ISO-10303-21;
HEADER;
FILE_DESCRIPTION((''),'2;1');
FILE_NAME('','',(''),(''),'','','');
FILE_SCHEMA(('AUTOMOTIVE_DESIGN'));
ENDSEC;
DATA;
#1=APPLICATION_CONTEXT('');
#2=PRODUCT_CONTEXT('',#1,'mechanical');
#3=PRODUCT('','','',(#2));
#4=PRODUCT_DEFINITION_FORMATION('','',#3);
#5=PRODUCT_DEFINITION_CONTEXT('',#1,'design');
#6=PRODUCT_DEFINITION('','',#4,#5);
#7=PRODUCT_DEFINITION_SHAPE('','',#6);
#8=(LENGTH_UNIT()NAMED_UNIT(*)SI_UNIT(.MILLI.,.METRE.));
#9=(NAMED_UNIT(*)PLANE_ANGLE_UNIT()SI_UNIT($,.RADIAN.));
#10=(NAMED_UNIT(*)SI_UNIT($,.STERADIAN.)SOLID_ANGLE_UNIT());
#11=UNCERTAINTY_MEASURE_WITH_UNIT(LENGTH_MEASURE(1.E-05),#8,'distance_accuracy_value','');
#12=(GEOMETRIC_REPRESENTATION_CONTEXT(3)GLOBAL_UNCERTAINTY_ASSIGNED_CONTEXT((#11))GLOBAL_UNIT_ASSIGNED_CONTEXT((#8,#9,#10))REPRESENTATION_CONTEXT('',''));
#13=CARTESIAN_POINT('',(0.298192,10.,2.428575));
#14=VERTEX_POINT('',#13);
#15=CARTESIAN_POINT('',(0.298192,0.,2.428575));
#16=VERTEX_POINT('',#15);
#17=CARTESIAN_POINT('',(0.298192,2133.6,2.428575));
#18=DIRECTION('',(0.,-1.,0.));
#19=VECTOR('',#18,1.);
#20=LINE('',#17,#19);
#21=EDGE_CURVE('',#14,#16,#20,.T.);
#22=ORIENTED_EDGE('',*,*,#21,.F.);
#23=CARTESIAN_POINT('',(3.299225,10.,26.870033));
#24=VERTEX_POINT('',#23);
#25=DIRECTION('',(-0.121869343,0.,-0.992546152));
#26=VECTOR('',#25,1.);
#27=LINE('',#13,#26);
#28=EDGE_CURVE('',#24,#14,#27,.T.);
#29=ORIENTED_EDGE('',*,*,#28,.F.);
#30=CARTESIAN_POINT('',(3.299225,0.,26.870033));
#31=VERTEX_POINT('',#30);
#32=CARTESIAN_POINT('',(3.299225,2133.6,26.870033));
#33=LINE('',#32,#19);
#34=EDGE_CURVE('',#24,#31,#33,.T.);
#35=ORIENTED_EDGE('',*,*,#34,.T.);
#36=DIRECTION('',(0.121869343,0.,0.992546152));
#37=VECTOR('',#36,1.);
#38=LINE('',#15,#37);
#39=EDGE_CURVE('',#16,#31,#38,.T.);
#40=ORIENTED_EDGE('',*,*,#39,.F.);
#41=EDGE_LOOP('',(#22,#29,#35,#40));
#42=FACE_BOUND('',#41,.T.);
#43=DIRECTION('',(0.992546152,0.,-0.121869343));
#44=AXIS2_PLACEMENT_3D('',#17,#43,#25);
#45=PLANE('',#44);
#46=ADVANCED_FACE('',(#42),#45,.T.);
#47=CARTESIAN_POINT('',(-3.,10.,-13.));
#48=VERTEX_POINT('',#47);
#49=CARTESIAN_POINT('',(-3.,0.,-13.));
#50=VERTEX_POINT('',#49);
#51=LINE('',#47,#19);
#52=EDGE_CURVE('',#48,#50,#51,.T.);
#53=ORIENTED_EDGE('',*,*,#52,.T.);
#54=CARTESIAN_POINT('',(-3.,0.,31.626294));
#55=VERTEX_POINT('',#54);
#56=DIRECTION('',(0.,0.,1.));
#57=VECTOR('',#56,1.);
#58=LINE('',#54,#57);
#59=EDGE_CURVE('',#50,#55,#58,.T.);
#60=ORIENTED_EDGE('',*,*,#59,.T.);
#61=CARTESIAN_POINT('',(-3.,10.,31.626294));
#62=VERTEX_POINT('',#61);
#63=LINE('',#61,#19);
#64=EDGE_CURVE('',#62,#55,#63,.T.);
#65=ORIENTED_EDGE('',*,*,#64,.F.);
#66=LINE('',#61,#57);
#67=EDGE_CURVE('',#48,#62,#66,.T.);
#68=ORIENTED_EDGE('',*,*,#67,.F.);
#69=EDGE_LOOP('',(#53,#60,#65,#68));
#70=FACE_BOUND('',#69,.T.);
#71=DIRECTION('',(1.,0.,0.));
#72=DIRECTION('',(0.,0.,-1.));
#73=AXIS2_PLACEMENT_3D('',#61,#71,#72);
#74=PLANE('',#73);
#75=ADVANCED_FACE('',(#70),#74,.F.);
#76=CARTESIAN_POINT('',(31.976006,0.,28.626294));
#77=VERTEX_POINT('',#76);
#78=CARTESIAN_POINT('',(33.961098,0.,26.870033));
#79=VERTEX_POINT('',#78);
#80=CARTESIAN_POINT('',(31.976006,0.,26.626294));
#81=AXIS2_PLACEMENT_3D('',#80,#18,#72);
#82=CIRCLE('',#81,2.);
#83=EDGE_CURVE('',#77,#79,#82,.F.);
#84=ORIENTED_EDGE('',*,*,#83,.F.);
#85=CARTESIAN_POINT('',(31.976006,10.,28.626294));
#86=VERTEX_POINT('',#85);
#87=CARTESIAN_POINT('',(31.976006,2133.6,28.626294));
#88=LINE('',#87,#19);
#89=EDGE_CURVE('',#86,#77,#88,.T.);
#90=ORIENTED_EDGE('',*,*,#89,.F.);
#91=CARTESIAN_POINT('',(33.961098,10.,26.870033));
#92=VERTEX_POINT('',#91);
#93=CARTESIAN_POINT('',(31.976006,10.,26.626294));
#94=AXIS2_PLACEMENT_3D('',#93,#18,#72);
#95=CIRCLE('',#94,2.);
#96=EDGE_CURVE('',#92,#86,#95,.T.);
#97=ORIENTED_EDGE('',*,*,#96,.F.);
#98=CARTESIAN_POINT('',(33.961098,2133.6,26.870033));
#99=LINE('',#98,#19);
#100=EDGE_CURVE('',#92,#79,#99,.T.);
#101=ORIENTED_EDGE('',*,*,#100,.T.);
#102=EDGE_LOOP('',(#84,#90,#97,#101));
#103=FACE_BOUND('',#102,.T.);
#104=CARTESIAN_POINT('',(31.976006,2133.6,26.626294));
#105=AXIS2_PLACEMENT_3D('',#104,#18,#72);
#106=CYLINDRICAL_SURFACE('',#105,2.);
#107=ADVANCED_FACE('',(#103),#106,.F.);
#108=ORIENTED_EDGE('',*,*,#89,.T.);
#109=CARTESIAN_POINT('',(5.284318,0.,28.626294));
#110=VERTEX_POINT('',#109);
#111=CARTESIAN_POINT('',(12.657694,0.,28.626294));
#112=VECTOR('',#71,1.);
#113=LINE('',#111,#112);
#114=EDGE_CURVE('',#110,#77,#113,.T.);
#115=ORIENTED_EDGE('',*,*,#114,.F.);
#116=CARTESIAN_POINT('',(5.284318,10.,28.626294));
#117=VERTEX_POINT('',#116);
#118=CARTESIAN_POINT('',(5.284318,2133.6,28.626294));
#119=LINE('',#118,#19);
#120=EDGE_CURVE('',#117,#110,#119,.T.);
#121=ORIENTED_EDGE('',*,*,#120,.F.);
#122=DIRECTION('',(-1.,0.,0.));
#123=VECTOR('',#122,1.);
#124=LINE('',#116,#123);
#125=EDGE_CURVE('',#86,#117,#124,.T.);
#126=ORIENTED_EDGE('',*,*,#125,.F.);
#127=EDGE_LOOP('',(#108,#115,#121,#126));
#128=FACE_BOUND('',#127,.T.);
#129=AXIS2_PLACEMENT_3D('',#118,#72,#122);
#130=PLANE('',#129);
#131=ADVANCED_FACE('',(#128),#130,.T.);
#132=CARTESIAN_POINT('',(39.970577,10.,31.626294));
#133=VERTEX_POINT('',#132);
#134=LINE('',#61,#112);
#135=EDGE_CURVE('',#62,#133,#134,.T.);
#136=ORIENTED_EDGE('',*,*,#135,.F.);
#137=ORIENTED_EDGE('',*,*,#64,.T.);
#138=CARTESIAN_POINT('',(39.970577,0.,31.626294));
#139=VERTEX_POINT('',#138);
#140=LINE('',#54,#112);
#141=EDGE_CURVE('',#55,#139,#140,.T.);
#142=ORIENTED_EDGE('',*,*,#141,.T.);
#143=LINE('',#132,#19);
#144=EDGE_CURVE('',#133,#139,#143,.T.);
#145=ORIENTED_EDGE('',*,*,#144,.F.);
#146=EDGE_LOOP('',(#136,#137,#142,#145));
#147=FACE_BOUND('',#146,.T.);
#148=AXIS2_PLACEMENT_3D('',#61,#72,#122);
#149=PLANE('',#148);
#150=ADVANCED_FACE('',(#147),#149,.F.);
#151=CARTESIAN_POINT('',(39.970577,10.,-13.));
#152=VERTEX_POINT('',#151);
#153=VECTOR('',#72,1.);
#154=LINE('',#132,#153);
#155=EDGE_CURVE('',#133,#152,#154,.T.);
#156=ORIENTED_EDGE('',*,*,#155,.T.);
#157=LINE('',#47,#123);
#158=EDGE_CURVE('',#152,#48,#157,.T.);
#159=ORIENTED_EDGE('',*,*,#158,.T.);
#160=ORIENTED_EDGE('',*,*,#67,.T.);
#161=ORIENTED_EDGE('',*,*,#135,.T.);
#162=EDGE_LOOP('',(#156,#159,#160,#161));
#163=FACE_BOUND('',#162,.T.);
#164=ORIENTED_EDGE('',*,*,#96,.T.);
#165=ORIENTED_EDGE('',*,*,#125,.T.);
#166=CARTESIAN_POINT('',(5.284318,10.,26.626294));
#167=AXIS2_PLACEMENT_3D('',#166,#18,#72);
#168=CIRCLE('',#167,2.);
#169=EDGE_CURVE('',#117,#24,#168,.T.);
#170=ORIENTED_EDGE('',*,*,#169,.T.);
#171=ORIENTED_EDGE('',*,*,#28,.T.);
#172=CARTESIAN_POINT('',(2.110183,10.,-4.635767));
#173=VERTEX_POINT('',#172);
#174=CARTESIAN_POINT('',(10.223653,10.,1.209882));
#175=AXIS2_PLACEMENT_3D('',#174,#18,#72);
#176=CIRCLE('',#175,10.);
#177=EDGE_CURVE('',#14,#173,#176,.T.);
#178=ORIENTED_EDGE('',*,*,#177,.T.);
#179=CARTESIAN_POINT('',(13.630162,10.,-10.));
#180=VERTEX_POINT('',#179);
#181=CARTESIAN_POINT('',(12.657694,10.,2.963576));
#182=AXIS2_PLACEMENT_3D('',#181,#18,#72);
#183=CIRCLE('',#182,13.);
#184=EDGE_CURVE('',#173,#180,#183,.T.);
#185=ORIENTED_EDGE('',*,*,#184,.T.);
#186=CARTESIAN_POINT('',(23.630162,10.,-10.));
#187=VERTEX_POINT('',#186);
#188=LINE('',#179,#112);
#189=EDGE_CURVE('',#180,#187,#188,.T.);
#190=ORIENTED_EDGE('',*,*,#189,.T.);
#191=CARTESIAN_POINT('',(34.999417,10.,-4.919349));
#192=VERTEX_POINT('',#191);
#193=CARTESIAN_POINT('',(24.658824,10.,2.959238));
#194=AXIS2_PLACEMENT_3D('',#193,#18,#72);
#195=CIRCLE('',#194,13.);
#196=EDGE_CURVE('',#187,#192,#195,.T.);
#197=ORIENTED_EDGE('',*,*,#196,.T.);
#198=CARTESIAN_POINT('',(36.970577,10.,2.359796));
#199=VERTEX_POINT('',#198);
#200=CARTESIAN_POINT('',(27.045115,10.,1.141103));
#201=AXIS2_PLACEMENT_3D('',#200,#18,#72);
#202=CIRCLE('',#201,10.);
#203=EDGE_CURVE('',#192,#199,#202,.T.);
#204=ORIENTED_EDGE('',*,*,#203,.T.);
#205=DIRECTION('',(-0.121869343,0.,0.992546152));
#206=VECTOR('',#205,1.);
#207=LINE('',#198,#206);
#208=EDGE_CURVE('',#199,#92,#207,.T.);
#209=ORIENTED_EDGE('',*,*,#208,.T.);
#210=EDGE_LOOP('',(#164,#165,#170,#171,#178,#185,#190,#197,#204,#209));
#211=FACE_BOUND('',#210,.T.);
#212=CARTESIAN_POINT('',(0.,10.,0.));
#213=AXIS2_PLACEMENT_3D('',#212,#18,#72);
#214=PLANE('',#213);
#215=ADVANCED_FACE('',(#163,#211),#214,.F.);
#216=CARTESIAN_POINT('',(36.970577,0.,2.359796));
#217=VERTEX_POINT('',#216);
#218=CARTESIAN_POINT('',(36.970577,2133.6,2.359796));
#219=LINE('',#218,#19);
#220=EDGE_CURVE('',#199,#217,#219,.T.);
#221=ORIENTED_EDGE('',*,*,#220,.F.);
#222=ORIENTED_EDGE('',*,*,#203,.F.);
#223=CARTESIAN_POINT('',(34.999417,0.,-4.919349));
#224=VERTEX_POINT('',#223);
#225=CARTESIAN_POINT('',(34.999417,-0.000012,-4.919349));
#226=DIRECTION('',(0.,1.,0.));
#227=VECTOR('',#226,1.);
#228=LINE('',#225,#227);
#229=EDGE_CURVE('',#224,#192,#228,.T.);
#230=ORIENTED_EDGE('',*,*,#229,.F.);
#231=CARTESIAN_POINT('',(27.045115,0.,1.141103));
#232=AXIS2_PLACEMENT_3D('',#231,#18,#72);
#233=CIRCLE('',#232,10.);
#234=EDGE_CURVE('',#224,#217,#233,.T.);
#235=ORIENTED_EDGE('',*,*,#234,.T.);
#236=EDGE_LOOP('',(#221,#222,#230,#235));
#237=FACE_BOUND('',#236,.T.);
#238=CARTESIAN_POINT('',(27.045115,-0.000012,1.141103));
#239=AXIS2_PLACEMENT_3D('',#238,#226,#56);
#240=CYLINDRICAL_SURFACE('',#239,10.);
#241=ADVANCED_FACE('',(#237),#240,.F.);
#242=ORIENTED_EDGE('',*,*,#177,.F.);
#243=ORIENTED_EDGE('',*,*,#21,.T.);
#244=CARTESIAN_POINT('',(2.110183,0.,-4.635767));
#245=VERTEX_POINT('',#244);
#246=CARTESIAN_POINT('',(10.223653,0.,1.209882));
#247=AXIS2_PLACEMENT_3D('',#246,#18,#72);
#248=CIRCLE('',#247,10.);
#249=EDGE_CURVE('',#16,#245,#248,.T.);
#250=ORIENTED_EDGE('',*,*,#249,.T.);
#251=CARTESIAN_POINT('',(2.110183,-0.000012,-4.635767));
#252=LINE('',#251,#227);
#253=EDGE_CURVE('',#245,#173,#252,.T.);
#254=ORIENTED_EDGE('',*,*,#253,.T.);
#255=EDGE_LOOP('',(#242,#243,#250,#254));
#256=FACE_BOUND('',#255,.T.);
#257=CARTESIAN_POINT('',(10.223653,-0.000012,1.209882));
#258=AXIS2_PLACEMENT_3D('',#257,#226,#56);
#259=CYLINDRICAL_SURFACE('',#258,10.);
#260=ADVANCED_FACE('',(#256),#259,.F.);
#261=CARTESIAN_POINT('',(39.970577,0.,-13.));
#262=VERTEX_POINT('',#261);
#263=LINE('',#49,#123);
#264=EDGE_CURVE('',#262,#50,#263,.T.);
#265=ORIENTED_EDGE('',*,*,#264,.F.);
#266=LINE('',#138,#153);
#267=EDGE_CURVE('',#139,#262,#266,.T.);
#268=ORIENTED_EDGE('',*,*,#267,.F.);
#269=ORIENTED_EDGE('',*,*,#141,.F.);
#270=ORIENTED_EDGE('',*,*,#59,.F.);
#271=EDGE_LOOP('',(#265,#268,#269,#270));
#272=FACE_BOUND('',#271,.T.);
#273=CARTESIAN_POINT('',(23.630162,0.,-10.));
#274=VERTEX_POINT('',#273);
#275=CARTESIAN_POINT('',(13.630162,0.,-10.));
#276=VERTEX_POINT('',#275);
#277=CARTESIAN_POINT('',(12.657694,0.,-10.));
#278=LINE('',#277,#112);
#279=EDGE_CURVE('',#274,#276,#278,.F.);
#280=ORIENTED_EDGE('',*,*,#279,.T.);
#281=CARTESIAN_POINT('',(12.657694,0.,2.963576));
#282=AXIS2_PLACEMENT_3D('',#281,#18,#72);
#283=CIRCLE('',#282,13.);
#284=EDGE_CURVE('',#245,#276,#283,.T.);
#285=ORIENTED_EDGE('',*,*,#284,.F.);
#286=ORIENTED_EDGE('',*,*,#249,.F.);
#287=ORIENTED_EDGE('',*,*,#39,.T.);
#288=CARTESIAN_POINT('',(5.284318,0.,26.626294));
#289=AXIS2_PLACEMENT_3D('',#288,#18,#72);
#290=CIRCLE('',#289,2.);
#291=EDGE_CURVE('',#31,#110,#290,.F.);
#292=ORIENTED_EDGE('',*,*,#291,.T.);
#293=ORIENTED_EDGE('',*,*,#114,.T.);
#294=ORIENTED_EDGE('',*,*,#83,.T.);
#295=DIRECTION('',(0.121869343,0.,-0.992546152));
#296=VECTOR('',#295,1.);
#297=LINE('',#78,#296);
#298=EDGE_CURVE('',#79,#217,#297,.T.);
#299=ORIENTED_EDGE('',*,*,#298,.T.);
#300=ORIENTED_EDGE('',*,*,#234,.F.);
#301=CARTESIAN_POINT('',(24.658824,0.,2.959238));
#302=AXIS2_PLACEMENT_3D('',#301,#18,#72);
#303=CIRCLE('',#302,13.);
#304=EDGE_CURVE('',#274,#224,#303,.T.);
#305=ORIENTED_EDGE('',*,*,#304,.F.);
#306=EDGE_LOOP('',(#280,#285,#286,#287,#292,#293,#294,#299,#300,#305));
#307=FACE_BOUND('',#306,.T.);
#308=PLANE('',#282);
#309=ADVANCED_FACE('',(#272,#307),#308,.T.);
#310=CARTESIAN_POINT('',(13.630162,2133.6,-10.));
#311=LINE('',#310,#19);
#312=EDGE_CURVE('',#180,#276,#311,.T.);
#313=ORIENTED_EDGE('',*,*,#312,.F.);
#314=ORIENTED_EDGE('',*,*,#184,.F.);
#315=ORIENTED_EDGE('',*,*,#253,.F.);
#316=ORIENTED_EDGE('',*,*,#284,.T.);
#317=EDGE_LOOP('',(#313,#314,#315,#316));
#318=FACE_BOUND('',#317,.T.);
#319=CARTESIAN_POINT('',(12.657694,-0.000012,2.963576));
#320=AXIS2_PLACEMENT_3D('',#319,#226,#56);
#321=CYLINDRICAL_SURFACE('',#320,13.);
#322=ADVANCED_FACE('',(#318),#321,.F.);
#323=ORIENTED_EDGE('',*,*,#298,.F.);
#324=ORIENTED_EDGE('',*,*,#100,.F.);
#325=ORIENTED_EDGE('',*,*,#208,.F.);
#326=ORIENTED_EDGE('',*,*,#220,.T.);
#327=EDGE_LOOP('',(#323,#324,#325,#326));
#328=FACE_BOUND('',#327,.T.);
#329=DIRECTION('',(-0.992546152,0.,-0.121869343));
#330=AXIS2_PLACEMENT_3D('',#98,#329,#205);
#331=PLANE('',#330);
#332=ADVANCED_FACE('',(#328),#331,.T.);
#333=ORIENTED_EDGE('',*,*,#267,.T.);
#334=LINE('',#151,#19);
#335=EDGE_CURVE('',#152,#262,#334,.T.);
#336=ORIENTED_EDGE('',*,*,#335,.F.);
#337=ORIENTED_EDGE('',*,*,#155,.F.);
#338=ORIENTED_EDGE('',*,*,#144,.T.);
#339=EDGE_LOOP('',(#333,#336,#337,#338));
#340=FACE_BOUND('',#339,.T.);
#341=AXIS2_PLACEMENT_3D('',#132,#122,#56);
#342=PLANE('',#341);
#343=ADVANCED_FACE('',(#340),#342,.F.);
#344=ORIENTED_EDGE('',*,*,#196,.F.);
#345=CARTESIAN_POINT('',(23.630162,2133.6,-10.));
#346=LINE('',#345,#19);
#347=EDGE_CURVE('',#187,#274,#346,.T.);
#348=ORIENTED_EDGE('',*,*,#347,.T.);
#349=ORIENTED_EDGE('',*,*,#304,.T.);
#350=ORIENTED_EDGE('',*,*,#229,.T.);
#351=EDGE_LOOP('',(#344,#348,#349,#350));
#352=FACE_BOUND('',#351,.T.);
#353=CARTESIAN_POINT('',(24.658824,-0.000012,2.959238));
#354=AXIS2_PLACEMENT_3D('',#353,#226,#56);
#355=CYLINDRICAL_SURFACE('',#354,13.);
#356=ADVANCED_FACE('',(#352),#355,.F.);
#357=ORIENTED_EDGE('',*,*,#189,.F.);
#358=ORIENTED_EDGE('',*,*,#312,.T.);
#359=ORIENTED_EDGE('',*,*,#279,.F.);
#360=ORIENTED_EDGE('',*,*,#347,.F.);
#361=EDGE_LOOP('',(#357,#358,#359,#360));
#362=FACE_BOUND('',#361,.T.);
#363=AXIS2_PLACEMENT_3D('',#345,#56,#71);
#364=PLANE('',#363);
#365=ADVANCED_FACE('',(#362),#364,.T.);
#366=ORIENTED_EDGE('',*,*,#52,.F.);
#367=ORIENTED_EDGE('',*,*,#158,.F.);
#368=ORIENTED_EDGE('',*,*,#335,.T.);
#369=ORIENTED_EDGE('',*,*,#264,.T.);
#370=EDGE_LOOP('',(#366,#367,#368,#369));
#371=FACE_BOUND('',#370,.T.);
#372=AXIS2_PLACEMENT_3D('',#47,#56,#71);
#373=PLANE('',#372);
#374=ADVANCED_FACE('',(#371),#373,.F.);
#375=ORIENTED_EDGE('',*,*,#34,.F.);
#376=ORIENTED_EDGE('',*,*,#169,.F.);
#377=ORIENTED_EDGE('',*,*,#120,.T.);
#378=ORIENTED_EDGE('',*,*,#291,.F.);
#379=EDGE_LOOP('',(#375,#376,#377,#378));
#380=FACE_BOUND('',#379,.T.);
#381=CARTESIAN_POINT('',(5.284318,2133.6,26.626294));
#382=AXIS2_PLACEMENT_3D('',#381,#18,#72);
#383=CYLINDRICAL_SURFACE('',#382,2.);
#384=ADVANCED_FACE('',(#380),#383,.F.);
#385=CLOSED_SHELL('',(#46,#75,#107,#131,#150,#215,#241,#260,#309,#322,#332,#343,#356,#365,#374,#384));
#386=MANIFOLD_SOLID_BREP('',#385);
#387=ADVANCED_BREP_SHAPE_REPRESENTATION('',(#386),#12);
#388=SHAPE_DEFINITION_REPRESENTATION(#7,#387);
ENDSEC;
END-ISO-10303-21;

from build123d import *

# Parameters (mm, degrees)
BOSS_EXTRUDE1_DEPTH     = 2133.6
SKETCH2_W               = 42.970576624
SKETCH2_H               = 44.626294369
BOSS_EXTRUDE2_DEPTH     = 10
CUT_EXTRUDE1_DEPTH      = 2134.6
CUT_EXTRUDE1_DEPTH_BACK = 1


with BuildPart() as part:
    # Sketch1 → Boss-Extrude1 (new body)
    with BuildSketch(Plane(origin=(0, 0, 0), x_dir=(1, 0, 0), z_dir=(0, 1, 0))):
        with BuildLine():
            Line((13.630161568, 10), (23.630161568, 10))
            ThreePointArc((23.630161568, 10), (29.962715696, 8.909575546), (34.999417241, 4.919349386))
            ThreePointArc((34.999417241, 4.919349386), (36.697471107, 1.472711464), (36.970576624, -2.359795976))
            Line((36.970576624, -2.359795976), (33.961097926, -26.870033055))
            ThreePointArc((33.961097926, -26.870033055), (33.301245719, -28.12420581), (31.976005623, -28.626294369))
            Line((31.976005623, -28.626294369), (5.284317513, -28.626294369))
            ThreePointArc((5.284317513, -28.626294369), (3.959077417, -28.12420581), (3.29922521, -26.870033055))
            Line((3.29922521, -26.870033055), (0.298191514, -2.428574989))
            ThreePointArc((0.298191514, -2.428574989), (0.53721959, 1.274672171), (2.110183266, 4.635767116))
            ThreePointArc((2.110183266, 4.635767116), (7.170061398, 8.821409583), (13.630161568, 10))
        make_face()
    extrude(amount=BOSS_EXTRUDE1_DEPTH)

    # Sketch2 → Boss-Extrude2 (add)
    with BuildSketch(Plane(origin=(0, 0, 0), x_dir=(1, 0, 0), z_dir=(0, 1, 0))):
        with Locations((18.485288312, -9.313147185)):
            Rectangle(SKETCH2_W, SKETCH2_H)
    extrude(amount=BOSS_EXTRUDE2_DEPTH)

    # Sketch3 → Cut-Extrude1 (cut, two sides)
    with BuildSketch(Plane(origin=(0, 0, 0), x_dir=(1, 0, 0), z_dir=(0, 1, 0))) as cut_extrude1_sk:
        with BuildLine():
            Line((0.298191514, -2.428574989), (3.29922521, -26.870033055))
            ThreePointArc((3.29922521, -26.870033055), (3.959077417, -28.12420581), (5.284317513, -28.626294369))
            Line((5.284317513, -28.626294369), (31.976005623, -28.626294369))
            ThreePointArc((31.976005623, -28.626294369), (33.301245719, -28.12420581), (33.961097926, -26.870033055))
            Line((33.961097926, -26.870033055), (36.970576624, -2.359795976))
            ThreePointArc((36.970576624, -2.359795976), (36.697471107, 1.472711464), (34.999417241, 4.919349386))
            ThreePointArc((34.999417241, 4.919349386), (29.962715696, 8.909575546), (23.630161568, 10))
            Line((23.630161568, 10), (13.630161568, 10))
            ThreePointArc((13.630161568, 10), (7.170061398, 8.821409583), (2.110183266, 4.635767116))
            ThreePointArc((2.110183266, 4.635767116), (0.53721959, 1.274672171), (0.298191514, -2.428574989))
        make_face()
    extrude(amount=CUT_EXTRUDE1_DEPTH, mode=Mode.SUBTRACT)
    extrude(cut_extrude1_sk.sketch, amount=-CUT_EXTRUDE1_DEPTH_BACK, mode=Mode.SUBTRACT)


solid = part.part
